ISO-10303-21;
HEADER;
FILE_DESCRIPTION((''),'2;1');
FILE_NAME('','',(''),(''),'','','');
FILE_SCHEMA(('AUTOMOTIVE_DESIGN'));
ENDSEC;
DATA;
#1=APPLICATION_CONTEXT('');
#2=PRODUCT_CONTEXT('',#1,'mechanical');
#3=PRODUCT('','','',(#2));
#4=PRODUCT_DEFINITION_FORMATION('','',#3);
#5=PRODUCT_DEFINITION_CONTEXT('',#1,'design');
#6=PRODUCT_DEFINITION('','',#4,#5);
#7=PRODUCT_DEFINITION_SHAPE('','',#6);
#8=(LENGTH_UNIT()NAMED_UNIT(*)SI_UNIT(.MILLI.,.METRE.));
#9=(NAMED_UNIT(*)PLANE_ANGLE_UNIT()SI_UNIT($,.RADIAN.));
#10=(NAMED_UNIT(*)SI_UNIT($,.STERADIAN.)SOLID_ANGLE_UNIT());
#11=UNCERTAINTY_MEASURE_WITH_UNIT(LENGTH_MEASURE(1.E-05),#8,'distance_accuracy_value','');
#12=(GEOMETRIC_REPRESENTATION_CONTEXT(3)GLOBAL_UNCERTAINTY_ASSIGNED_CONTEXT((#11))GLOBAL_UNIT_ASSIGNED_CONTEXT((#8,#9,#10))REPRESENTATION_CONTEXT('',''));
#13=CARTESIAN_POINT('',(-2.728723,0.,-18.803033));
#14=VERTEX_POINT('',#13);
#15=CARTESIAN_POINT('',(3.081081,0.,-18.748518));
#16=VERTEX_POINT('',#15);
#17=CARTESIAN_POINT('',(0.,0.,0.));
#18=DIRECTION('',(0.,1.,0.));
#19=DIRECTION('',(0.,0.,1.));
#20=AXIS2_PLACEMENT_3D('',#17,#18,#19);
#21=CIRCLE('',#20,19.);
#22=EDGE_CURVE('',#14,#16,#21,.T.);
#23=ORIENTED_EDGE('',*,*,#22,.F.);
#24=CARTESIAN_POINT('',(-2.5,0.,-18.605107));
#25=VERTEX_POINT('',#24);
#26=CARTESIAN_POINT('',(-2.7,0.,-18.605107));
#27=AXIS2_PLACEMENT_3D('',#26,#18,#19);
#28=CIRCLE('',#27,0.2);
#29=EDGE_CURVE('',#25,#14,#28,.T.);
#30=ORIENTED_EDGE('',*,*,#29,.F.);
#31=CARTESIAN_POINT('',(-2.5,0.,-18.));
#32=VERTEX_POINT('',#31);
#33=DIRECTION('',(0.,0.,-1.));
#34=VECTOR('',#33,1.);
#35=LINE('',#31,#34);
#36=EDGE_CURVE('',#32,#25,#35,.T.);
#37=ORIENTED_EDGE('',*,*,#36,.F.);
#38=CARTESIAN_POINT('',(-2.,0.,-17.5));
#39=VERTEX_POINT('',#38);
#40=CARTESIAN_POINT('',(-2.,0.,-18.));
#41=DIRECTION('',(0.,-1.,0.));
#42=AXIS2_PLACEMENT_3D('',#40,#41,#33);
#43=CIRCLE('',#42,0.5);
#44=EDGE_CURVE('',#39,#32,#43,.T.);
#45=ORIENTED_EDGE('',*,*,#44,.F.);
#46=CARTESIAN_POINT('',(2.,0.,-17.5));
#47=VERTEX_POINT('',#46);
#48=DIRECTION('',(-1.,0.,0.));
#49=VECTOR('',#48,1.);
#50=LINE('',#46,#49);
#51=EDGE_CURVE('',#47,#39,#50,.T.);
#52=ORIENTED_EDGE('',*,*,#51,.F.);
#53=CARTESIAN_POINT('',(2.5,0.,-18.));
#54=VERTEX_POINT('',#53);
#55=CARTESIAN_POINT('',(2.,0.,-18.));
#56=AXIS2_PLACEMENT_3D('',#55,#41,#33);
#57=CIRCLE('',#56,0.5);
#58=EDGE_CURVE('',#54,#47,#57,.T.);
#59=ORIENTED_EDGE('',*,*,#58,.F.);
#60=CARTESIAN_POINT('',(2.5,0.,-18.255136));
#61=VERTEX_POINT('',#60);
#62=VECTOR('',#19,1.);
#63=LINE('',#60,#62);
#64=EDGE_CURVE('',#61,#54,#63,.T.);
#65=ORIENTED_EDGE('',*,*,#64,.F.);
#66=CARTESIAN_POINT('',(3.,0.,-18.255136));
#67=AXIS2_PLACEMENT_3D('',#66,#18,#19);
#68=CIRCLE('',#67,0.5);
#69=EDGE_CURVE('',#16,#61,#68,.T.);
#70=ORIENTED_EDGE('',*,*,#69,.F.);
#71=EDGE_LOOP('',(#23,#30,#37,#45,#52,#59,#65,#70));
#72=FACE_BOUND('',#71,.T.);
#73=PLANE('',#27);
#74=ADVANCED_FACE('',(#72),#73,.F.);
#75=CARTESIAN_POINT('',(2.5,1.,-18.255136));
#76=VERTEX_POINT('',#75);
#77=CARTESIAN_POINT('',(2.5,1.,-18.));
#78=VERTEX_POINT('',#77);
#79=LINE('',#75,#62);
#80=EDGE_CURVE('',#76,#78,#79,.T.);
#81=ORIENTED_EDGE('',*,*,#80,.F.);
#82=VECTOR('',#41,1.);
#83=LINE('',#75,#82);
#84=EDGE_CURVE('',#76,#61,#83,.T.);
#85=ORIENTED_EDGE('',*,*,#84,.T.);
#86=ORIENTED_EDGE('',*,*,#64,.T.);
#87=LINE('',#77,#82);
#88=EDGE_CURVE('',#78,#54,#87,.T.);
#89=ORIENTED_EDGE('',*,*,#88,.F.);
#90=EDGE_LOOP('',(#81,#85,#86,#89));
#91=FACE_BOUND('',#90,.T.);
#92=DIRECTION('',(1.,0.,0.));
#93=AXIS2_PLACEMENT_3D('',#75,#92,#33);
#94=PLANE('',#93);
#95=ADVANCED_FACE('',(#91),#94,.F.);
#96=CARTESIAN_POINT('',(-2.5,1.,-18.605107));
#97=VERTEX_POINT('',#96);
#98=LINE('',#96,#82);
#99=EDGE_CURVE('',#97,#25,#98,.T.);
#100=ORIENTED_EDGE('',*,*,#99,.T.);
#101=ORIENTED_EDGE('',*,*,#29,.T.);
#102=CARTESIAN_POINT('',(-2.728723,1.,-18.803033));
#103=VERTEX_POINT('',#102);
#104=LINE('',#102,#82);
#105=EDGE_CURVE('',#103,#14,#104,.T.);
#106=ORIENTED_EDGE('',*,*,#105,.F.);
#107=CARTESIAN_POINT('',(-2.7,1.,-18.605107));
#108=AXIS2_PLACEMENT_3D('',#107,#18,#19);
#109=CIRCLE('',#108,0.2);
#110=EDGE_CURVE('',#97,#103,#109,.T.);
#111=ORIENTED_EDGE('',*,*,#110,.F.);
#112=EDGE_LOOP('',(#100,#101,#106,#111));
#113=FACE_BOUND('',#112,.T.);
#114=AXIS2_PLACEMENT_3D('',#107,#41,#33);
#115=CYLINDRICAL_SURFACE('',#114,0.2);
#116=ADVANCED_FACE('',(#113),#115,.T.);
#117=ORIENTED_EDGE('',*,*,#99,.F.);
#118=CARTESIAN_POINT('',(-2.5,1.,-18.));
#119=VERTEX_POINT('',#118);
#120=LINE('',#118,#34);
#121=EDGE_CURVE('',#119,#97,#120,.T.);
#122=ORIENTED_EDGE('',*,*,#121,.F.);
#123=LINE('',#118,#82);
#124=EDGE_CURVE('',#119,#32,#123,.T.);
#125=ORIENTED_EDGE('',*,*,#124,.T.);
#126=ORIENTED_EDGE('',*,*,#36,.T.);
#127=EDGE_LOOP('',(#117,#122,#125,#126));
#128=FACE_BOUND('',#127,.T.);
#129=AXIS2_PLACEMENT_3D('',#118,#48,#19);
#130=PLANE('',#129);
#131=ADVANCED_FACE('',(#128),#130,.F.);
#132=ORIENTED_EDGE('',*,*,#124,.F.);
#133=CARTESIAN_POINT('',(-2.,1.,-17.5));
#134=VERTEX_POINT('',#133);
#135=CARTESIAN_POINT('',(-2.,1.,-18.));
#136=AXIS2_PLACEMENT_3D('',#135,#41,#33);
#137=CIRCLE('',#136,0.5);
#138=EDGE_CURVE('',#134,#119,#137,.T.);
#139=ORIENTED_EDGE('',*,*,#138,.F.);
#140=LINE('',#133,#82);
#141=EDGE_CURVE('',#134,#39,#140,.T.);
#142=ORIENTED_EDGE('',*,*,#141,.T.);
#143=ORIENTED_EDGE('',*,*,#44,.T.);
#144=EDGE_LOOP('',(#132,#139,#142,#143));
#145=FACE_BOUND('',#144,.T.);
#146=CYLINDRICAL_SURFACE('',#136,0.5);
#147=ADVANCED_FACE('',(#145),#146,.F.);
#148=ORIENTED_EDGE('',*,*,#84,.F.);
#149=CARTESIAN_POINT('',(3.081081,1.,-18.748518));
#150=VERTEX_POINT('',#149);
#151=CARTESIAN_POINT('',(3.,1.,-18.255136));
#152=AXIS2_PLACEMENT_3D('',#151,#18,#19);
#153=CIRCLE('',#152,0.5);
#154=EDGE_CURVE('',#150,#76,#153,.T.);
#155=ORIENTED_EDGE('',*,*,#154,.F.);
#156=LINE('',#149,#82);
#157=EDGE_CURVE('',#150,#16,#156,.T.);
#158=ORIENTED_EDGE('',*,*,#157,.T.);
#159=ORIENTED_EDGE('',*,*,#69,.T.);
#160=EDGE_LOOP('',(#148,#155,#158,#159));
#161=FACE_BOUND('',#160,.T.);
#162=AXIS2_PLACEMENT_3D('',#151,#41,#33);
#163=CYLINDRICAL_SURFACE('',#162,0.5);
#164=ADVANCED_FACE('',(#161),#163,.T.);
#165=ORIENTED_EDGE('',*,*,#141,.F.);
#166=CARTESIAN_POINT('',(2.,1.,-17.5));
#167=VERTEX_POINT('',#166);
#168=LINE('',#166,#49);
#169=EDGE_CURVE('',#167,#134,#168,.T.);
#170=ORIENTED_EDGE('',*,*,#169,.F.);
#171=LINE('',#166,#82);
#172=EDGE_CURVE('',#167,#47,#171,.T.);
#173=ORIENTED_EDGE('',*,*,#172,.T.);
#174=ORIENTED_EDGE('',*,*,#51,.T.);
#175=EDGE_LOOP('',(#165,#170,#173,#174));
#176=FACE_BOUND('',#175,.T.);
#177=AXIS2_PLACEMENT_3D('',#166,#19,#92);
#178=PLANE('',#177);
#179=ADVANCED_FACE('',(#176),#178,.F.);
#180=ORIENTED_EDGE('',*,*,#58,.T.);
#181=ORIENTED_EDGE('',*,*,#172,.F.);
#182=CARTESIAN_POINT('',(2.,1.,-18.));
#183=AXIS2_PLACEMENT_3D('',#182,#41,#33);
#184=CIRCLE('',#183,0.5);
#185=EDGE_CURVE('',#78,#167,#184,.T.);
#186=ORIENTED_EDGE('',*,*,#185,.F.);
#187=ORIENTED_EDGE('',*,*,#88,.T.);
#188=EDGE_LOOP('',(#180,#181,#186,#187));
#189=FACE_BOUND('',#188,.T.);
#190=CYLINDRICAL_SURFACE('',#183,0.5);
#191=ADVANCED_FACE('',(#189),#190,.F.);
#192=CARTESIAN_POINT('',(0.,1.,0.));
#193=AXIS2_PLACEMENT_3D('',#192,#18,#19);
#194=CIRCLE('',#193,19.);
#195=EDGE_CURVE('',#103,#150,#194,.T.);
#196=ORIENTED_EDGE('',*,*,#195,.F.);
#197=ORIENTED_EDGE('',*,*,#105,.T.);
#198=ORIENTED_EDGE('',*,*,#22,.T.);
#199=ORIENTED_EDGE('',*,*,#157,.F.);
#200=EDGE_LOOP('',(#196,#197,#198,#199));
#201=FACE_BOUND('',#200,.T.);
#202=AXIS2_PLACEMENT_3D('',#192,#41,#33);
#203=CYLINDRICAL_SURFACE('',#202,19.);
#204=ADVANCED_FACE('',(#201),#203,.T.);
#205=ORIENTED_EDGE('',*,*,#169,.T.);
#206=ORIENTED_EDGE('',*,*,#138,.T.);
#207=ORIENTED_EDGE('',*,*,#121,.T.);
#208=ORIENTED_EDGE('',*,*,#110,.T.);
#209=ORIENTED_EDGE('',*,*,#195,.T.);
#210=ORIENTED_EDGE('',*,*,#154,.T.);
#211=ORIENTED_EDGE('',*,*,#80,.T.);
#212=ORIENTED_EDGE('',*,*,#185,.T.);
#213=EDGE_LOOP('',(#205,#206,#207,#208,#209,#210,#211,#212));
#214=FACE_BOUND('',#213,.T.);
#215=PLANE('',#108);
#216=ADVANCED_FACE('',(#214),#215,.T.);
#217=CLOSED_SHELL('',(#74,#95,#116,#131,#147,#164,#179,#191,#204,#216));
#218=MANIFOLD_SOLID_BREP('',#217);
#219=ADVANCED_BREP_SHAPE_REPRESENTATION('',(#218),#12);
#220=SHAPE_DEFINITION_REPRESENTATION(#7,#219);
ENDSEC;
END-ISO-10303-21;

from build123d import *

# Parameters (mm, degrees)
BOSS_EXTRUDE1_DEPTH = 1


with BuildPart() as part:
    # Sketch1 → Boss-Extrude1 (new body)
    with BuildSketch(Plane(origin=(0, 0, 0), x_dir=(1, 0, 0), z_dir=(0, 1, 0))):
        with BuildLine():
            Line((2.5, 18.255136264), (2.5, 18))
            ThreePointArc((2.5, 18), (2.353553391, 17.646446609), (2, 17.5))
            Line((2, 17.5), (-2, 17.5))
            ThreePointArc((-2, 17.5), (-2.353553391, 17.646446609), (-2.5, 18))
            Line((-2.5, 18), (-2.5, 18.605106826))
            ThreePointArc((-2.5, 18.605106826), (-2.569127315, 18.756342868), (-2.728723404, 18.803033494))
            ThreePointArc((-2.728723404, 18.803033494), (-0.178274953, -18.999163614), (3.081081081, 18.748518325))
            ThreePointArc((3.081081081, 18.748518325), (2.67638027, 18.636279636), (2.5, 18.255136264))
        make_face()
    extrude(amount=BOSS_EXTRUDE1_DEPTH)


solid = part.part
